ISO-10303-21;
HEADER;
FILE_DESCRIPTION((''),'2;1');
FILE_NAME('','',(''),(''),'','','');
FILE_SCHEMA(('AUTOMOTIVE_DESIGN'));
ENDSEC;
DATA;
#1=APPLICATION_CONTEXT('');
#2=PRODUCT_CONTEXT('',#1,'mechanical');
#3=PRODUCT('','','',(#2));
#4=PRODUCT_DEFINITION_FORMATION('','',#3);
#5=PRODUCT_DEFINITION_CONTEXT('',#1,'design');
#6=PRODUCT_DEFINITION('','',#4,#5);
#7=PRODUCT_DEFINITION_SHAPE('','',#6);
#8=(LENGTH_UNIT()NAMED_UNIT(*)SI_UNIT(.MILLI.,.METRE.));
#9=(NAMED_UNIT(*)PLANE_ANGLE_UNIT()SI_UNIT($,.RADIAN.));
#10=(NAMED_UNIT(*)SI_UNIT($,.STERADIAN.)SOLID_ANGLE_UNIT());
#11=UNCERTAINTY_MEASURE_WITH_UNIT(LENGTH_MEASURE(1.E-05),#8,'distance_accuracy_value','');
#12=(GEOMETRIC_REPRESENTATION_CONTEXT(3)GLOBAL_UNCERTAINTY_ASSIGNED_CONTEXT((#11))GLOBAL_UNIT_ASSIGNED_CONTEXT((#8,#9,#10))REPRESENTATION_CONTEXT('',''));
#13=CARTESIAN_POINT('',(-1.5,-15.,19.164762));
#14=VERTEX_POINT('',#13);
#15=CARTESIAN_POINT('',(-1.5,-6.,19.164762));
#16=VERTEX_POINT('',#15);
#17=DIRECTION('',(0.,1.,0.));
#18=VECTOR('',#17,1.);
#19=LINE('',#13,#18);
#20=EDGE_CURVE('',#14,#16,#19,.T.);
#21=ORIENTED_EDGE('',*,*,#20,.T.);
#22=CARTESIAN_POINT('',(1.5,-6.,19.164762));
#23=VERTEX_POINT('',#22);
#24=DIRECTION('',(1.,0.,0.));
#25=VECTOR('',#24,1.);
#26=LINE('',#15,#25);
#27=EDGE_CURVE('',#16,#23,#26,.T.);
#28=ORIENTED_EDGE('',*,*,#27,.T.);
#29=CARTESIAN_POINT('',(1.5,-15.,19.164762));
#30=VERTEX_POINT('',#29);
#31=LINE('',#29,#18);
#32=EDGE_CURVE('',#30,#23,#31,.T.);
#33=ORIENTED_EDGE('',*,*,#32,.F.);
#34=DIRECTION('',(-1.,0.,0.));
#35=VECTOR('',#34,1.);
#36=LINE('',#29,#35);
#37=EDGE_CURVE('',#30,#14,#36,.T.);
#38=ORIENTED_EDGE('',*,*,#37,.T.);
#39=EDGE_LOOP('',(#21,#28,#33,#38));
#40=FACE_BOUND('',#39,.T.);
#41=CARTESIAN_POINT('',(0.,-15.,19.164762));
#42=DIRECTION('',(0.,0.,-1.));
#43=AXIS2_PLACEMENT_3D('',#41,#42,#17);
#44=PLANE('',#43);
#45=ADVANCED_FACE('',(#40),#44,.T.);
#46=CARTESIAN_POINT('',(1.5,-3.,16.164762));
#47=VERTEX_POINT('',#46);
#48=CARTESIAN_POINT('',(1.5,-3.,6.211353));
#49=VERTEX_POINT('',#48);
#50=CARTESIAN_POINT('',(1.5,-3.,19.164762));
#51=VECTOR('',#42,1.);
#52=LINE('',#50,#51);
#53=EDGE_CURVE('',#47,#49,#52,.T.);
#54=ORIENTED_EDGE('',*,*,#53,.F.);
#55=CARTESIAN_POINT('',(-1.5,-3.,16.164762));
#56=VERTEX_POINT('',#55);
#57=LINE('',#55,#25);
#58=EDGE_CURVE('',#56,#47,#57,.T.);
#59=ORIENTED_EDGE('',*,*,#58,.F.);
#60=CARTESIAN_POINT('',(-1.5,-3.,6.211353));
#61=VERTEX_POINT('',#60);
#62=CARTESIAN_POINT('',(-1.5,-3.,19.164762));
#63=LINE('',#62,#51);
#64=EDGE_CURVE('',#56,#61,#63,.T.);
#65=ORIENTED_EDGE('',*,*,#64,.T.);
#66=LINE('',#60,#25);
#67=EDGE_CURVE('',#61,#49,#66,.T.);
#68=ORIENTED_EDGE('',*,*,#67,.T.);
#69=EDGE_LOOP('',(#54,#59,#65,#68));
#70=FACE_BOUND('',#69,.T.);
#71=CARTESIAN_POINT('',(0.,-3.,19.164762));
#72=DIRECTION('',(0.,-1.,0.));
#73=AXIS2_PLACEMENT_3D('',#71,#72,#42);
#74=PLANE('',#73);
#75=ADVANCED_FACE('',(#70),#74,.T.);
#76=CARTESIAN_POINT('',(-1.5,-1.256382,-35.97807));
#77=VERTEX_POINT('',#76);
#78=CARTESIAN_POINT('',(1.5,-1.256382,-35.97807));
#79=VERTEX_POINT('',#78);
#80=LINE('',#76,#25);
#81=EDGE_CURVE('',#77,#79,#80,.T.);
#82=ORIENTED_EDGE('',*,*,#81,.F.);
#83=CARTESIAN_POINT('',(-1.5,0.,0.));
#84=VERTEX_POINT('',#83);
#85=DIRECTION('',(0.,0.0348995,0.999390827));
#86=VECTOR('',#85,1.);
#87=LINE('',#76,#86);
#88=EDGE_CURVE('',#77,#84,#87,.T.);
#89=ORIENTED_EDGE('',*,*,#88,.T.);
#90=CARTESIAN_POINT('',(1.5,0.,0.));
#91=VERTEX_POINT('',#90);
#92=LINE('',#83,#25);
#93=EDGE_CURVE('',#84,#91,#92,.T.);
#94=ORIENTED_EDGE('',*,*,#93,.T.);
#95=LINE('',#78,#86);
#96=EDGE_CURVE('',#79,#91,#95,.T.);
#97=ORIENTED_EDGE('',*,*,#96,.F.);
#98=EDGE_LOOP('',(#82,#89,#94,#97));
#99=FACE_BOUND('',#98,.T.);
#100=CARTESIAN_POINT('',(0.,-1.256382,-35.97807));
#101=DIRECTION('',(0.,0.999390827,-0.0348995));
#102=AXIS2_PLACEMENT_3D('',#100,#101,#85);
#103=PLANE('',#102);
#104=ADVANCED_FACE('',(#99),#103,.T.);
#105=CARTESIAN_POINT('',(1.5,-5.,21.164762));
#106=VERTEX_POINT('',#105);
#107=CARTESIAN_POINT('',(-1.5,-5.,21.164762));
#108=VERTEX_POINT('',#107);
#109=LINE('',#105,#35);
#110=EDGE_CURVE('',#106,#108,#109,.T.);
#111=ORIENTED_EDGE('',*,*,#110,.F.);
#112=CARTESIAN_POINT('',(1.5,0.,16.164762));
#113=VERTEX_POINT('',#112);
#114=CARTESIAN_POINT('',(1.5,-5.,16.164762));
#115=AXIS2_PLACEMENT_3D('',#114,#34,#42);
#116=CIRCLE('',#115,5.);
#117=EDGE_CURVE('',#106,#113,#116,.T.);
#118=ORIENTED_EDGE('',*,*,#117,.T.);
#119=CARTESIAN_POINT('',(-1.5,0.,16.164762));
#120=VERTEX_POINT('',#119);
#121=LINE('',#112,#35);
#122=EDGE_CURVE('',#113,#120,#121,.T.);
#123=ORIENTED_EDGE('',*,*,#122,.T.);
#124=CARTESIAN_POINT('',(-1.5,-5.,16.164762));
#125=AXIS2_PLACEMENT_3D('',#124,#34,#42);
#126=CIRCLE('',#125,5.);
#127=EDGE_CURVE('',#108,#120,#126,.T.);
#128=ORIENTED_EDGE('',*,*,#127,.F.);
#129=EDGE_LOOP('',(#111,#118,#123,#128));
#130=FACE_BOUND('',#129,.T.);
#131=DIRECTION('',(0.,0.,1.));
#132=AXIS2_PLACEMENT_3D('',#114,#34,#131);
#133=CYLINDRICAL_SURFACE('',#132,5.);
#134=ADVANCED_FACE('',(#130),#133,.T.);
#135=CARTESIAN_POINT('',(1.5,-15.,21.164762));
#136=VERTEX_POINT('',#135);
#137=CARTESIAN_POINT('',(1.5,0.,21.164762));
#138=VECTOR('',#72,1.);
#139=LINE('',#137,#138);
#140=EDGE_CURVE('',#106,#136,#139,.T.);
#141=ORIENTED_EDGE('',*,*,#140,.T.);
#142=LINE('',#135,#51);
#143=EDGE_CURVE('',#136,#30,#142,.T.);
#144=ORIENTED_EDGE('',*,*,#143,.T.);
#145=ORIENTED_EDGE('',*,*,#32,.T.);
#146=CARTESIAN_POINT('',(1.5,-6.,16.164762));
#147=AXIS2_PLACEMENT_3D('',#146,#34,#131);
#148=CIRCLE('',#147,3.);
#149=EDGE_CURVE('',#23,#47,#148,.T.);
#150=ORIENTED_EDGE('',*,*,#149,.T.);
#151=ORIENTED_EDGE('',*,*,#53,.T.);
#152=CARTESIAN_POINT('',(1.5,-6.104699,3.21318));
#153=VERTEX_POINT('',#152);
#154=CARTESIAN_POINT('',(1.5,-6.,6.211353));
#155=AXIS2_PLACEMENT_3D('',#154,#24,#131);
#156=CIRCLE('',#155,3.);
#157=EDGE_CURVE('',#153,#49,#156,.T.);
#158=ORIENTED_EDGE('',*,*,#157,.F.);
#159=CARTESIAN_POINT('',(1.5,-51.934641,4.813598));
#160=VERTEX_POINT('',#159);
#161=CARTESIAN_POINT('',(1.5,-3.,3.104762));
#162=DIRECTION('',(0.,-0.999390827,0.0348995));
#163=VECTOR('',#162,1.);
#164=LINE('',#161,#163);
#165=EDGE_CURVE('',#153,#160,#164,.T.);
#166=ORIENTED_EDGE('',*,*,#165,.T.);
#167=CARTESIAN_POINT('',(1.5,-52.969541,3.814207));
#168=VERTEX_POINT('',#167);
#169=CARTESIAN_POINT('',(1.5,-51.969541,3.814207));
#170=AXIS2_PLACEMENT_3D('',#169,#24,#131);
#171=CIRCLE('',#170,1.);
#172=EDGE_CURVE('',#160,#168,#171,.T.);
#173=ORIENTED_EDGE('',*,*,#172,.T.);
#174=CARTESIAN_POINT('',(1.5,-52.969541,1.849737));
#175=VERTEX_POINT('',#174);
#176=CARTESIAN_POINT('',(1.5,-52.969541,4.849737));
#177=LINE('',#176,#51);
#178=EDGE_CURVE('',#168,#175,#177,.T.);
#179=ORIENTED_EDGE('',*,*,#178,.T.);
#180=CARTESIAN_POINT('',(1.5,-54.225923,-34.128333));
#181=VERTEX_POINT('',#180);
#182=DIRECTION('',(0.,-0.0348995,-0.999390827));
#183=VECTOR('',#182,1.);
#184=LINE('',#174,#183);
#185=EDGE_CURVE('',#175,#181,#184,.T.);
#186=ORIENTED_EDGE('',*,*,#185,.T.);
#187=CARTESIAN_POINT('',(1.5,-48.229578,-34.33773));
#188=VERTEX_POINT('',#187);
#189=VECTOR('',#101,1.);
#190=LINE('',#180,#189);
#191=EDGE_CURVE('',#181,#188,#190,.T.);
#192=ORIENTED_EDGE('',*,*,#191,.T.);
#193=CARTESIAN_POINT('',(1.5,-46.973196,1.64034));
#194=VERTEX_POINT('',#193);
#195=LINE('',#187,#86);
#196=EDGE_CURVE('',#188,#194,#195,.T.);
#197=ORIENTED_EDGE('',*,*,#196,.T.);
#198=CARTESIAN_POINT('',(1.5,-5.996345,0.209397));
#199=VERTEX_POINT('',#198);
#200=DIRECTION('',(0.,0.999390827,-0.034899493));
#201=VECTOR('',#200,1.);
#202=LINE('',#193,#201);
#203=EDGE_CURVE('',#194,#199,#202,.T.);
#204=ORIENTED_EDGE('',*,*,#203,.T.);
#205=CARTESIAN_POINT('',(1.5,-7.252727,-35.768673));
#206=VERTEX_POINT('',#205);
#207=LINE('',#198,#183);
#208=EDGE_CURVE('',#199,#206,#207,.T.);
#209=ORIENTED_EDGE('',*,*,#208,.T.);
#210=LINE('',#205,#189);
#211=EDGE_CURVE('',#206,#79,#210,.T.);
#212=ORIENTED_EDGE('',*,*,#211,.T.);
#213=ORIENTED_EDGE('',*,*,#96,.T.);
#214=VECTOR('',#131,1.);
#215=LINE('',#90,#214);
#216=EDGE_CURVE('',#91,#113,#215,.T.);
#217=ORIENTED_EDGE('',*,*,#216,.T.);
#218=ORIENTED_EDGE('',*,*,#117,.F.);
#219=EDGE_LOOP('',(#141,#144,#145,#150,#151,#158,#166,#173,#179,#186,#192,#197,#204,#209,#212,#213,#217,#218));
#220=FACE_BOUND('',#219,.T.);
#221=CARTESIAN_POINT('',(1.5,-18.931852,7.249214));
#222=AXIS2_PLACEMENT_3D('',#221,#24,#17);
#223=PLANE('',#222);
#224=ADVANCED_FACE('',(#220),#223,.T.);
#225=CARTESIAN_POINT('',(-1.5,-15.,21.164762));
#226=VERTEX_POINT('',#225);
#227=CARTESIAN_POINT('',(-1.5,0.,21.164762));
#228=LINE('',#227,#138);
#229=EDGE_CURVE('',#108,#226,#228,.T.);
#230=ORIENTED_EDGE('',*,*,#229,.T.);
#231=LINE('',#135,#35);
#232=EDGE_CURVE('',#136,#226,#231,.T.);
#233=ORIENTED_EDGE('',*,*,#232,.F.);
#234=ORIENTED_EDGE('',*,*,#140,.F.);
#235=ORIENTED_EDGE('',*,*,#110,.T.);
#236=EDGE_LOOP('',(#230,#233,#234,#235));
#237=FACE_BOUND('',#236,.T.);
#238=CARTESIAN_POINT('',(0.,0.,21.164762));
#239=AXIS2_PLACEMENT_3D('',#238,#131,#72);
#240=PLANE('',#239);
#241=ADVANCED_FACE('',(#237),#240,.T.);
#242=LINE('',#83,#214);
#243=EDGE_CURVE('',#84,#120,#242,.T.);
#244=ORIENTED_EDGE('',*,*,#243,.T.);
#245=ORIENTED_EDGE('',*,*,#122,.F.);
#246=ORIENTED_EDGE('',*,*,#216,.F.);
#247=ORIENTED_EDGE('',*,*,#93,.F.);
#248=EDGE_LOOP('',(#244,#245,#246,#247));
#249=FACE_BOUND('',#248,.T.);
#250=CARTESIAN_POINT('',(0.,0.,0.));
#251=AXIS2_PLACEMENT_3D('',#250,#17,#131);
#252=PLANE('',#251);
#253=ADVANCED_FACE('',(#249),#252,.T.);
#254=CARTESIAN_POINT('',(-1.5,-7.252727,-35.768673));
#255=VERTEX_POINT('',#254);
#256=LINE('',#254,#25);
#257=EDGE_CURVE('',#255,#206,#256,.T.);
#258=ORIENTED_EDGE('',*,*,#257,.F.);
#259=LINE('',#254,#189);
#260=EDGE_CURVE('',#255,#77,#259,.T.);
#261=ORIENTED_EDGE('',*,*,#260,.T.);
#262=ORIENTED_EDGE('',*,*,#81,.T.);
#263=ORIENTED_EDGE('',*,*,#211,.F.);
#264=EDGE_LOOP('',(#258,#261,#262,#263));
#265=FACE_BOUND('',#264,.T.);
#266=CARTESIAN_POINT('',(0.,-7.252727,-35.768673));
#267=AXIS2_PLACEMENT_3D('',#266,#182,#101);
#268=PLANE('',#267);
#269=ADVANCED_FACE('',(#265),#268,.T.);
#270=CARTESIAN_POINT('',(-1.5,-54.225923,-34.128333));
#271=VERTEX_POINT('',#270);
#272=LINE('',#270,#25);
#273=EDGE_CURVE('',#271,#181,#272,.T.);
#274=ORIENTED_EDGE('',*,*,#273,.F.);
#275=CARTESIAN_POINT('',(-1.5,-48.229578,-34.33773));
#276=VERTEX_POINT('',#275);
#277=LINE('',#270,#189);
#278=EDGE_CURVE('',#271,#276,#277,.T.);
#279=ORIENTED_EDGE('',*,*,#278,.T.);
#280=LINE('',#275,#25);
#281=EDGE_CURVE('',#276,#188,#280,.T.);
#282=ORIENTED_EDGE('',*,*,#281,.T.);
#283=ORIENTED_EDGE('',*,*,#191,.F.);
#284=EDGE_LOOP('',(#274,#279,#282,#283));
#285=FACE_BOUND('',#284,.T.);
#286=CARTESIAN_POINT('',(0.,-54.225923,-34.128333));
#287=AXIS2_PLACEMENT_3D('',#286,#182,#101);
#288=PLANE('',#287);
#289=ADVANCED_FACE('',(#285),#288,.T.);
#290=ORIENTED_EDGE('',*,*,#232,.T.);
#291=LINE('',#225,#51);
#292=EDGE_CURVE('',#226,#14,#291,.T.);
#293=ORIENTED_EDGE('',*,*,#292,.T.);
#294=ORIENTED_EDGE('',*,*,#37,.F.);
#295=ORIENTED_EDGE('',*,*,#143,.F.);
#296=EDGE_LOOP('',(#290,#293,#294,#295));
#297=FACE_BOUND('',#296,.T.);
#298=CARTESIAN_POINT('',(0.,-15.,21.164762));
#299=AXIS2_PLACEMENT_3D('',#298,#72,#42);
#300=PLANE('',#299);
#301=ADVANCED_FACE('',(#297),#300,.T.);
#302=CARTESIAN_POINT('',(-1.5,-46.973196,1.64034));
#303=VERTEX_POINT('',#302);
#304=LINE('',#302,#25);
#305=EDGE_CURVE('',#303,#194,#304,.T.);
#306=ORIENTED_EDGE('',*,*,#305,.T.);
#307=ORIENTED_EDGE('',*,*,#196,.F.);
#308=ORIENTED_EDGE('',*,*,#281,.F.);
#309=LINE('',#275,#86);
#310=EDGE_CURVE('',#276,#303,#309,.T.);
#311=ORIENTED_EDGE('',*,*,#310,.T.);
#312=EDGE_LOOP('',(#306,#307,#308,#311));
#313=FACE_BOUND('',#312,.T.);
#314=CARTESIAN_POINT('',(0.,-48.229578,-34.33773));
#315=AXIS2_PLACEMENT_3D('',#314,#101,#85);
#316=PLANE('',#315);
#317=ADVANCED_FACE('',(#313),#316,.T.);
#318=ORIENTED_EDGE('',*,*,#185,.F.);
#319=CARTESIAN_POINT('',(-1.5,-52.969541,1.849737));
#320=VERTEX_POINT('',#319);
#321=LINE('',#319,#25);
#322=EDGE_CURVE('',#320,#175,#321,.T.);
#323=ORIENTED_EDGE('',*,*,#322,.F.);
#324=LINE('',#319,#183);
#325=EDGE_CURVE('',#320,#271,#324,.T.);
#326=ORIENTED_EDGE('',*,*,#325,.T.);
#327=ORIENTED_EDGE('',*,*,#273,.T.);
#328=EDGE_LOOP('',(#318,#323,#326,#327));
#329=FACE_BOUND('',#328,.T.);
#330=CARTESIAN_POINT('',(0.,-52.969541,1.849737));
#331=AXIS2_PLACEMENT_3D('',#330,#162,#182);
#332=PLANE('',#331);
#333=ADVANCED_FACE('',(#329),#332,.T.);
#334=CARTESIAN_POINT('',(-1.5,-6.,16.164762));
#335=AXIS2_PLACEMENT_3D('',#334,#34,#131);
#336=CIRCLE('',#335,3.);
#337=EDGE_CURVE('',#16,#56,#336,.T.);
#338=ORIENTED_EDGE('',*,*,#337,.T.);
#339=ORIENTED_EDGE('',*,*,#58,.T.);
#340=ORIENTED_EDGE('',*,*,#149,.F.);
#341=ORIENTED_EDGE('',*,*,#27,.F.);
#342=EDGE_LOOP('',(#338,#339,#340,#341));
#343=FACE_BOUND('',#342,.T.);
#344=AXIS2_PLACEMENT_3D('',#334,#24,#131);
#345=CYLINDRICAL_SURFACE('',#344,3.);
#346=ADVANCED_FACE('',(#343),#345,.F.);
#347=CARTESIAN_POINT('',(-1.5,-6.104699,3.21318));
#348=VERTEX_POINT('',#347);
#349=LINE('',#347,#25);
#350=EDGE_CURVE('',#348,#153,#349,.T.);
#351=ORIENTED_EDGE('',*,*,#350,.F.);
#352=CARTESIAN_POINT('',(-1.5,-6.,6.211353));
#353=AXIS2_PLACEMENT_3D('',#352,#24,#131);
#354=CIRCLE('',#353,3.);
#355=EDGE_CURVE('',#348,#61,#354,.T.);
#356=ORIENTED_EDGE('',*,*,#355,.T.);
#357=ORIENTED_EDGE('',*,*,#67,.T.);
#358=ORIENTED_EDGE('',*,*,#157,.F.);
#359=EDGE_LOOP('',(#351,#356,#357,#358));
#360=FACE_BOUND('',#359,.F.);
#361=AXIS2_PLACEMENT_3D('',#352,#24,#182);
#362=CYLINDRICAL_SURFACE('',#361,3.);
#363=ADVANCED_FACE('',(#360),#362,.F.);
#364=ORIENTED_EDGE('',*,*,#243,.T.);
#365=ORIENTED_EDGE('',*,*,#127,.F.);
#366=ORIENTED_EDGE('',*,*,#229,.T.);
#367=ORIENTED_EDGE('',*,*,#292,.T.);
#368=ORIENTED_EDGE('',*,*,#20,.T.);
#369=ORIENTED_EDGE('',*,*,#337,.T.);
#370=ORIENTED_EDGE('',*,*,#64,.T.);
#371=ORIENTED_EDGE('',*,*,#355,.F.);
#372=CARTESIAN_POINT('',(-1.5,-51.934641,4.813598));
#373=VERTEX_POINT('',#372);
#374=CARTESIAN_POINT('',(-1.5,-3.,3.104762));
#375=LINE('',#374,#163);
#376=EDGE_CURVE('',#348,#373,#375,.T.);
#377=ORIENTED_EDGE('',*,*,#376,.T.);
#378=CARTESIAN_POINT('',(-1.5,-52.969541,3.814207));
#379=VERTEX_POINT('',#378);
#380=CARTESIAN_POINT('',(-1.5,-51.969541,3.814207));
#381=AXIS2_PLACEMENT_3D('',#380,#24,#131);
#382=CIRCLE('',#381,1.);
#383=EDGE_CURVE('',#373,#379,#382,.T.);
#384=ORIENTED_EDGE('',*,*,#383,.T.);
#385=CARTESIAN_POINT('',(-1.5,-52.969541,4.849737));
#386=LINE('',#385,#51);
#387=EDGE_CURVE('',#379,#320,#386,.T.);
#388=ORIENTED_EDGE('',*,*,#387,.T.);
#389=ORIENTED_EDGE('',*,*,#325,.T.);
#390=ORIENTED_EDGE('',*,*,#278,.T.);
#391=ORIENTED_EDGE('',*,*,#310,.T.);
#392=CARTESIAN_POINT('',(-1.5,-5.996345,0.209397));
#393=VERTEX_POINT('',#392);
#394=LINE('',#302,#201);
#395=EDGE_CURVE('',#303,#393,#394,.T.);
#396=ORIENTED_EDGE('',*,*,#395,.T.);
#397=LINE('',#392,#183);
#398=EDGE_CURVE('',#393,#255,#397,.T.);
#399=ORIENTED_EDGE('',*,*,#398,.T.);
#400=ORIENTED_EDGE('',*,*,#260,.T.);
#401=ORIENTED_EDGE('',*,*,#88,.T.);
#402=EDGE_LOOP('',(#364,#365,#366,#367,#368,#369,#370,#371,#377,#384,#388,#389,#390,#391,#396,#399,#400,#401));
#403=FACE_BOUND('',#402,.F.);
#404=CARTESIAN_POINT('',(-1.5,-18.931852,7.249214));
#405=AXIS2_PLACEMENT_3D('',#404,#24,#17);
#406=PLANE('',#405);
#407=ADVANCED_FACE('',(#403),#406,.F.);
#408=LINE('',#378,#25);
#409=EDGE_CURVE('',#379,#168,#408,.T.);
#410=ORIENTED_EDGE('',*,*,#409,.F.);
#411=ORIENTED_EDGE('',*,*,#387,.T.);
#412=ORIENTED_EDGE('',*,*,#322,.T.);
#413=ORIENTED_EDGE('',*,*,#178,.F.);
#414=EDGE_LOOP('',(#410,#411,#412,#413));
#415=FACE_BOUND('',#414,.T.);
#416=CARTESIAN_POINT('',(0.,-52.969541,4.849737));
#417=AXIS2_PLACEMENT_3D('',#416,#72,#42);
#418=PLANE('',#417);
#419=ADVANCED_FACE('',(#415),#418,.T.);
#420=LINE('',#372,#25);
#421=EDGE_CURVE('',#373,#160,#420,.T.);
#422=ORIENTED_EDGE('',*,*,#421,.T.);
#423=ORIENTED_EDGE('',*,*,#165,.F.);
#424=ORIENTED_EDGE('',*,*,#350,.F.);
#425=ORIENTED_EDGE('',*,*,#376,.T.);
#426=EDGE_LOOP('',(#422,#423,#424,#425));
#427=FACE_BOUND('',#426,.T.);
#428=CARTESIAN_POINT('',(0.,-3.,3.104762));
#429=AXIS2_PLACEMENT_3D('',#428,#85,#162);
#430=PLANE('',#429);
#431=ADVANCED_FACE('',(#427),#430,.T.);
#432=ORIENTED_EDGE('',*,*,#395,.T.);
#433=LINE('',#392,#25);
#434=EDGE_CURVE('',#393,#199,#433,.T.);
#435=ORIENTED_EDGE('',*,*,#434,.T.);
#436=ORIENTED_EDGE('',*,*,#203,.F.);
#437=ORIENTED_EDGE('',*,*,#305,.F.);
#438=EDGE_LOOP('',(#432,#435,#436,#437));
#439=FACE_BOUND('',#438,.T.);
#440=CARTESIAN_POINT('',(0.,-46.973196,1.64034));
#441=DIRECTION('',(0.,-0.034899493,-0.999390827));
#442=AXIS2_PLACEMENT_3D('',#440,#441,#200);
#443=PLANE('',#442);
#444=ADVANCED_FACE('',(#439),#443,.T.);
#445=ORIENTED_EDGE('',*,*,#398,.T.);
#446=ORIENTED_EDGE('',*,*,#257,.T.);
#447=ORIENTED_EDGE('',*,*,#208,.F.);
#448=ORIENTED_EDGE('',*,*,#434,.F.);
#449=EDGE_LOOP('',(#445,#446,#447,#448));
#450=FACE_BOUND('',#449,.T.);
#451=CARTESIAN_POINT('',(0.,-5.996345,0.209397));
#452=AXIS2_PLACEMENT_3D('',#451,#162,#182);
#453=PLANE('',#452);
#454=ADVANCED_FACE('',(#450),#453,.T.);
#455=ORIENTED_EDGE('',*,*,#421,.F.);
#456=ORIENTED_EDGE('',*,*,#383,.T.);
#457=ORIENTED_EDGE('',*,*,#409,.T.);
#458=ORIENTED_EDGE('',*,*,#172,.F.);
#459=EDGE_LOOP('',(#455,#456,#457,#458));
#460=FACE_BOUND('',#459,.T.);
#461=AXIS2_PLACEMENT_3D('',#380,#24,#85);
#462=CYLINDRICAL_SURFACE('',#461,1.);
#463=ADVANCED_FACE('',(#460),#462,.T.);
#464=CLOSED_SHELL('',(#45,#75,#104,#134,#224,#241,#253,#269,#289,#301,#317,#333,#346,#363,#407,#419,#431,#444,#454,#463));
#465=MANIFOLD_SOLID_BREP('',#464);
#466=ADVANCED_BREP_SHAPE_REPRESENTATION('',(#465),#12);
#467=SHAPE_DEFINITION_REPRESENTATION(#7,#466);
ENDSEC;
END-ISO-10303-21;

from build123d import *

# Parameters (mm, degrees)
F1_DEPTH = 1.5
F2_R     = 3
F3_R     = 1
F4_R     = 5


with BuildPart() as f1:
    # F0 (on Right) → F1 (new body, symmetric)
    with BuildSketch(Plane.YZ):
        Polygon((-15, 19.164762), (-3, 19.164762), (-3, 3.104762), (-52.969541, 4.849737), (-52.969541, 1.849737), (-46.973196, 1.64034), (-5.996345, 0.209397), (0, 0), (0, 21.164762), (-15, 21.164762), align=None)
        Polygon((-1.256382, -35.97807), (0, 0), (-5.996345, 0.209397), (-7.252727, -35.768673), align=None)
        Polygon((-46.973196, 1.64034), (-52.969541, 1.849737), (-54.225923, -34.128333), (-48.229578, -34.33773), align=None)
    extrude(amount=F1_DEPTH, both=True)

    # F2
    f2_edges = [f1.edges().sort_by_distance(p)[0] for p in [
        (0, -3, 19.164762),
        (0, -3, 3.104762),
    ]]
    fillet(f2_edges, radius=F2_R)

    # F3
    f3_edges = [f1.edges().sort_by_distance(p)[0] for p in [
        (0, -52.969541, 4.849737),
    ]]
    fillet(f3_edges, radius=F3_R)

    # F4
    f4_edges = [f1.edges().sort_by_distance(p)[0] for p in [
        (0, 0, 21.164762),
    ]]
    fillet(f4_edges, radius=F4_R)


solid = f1.part
